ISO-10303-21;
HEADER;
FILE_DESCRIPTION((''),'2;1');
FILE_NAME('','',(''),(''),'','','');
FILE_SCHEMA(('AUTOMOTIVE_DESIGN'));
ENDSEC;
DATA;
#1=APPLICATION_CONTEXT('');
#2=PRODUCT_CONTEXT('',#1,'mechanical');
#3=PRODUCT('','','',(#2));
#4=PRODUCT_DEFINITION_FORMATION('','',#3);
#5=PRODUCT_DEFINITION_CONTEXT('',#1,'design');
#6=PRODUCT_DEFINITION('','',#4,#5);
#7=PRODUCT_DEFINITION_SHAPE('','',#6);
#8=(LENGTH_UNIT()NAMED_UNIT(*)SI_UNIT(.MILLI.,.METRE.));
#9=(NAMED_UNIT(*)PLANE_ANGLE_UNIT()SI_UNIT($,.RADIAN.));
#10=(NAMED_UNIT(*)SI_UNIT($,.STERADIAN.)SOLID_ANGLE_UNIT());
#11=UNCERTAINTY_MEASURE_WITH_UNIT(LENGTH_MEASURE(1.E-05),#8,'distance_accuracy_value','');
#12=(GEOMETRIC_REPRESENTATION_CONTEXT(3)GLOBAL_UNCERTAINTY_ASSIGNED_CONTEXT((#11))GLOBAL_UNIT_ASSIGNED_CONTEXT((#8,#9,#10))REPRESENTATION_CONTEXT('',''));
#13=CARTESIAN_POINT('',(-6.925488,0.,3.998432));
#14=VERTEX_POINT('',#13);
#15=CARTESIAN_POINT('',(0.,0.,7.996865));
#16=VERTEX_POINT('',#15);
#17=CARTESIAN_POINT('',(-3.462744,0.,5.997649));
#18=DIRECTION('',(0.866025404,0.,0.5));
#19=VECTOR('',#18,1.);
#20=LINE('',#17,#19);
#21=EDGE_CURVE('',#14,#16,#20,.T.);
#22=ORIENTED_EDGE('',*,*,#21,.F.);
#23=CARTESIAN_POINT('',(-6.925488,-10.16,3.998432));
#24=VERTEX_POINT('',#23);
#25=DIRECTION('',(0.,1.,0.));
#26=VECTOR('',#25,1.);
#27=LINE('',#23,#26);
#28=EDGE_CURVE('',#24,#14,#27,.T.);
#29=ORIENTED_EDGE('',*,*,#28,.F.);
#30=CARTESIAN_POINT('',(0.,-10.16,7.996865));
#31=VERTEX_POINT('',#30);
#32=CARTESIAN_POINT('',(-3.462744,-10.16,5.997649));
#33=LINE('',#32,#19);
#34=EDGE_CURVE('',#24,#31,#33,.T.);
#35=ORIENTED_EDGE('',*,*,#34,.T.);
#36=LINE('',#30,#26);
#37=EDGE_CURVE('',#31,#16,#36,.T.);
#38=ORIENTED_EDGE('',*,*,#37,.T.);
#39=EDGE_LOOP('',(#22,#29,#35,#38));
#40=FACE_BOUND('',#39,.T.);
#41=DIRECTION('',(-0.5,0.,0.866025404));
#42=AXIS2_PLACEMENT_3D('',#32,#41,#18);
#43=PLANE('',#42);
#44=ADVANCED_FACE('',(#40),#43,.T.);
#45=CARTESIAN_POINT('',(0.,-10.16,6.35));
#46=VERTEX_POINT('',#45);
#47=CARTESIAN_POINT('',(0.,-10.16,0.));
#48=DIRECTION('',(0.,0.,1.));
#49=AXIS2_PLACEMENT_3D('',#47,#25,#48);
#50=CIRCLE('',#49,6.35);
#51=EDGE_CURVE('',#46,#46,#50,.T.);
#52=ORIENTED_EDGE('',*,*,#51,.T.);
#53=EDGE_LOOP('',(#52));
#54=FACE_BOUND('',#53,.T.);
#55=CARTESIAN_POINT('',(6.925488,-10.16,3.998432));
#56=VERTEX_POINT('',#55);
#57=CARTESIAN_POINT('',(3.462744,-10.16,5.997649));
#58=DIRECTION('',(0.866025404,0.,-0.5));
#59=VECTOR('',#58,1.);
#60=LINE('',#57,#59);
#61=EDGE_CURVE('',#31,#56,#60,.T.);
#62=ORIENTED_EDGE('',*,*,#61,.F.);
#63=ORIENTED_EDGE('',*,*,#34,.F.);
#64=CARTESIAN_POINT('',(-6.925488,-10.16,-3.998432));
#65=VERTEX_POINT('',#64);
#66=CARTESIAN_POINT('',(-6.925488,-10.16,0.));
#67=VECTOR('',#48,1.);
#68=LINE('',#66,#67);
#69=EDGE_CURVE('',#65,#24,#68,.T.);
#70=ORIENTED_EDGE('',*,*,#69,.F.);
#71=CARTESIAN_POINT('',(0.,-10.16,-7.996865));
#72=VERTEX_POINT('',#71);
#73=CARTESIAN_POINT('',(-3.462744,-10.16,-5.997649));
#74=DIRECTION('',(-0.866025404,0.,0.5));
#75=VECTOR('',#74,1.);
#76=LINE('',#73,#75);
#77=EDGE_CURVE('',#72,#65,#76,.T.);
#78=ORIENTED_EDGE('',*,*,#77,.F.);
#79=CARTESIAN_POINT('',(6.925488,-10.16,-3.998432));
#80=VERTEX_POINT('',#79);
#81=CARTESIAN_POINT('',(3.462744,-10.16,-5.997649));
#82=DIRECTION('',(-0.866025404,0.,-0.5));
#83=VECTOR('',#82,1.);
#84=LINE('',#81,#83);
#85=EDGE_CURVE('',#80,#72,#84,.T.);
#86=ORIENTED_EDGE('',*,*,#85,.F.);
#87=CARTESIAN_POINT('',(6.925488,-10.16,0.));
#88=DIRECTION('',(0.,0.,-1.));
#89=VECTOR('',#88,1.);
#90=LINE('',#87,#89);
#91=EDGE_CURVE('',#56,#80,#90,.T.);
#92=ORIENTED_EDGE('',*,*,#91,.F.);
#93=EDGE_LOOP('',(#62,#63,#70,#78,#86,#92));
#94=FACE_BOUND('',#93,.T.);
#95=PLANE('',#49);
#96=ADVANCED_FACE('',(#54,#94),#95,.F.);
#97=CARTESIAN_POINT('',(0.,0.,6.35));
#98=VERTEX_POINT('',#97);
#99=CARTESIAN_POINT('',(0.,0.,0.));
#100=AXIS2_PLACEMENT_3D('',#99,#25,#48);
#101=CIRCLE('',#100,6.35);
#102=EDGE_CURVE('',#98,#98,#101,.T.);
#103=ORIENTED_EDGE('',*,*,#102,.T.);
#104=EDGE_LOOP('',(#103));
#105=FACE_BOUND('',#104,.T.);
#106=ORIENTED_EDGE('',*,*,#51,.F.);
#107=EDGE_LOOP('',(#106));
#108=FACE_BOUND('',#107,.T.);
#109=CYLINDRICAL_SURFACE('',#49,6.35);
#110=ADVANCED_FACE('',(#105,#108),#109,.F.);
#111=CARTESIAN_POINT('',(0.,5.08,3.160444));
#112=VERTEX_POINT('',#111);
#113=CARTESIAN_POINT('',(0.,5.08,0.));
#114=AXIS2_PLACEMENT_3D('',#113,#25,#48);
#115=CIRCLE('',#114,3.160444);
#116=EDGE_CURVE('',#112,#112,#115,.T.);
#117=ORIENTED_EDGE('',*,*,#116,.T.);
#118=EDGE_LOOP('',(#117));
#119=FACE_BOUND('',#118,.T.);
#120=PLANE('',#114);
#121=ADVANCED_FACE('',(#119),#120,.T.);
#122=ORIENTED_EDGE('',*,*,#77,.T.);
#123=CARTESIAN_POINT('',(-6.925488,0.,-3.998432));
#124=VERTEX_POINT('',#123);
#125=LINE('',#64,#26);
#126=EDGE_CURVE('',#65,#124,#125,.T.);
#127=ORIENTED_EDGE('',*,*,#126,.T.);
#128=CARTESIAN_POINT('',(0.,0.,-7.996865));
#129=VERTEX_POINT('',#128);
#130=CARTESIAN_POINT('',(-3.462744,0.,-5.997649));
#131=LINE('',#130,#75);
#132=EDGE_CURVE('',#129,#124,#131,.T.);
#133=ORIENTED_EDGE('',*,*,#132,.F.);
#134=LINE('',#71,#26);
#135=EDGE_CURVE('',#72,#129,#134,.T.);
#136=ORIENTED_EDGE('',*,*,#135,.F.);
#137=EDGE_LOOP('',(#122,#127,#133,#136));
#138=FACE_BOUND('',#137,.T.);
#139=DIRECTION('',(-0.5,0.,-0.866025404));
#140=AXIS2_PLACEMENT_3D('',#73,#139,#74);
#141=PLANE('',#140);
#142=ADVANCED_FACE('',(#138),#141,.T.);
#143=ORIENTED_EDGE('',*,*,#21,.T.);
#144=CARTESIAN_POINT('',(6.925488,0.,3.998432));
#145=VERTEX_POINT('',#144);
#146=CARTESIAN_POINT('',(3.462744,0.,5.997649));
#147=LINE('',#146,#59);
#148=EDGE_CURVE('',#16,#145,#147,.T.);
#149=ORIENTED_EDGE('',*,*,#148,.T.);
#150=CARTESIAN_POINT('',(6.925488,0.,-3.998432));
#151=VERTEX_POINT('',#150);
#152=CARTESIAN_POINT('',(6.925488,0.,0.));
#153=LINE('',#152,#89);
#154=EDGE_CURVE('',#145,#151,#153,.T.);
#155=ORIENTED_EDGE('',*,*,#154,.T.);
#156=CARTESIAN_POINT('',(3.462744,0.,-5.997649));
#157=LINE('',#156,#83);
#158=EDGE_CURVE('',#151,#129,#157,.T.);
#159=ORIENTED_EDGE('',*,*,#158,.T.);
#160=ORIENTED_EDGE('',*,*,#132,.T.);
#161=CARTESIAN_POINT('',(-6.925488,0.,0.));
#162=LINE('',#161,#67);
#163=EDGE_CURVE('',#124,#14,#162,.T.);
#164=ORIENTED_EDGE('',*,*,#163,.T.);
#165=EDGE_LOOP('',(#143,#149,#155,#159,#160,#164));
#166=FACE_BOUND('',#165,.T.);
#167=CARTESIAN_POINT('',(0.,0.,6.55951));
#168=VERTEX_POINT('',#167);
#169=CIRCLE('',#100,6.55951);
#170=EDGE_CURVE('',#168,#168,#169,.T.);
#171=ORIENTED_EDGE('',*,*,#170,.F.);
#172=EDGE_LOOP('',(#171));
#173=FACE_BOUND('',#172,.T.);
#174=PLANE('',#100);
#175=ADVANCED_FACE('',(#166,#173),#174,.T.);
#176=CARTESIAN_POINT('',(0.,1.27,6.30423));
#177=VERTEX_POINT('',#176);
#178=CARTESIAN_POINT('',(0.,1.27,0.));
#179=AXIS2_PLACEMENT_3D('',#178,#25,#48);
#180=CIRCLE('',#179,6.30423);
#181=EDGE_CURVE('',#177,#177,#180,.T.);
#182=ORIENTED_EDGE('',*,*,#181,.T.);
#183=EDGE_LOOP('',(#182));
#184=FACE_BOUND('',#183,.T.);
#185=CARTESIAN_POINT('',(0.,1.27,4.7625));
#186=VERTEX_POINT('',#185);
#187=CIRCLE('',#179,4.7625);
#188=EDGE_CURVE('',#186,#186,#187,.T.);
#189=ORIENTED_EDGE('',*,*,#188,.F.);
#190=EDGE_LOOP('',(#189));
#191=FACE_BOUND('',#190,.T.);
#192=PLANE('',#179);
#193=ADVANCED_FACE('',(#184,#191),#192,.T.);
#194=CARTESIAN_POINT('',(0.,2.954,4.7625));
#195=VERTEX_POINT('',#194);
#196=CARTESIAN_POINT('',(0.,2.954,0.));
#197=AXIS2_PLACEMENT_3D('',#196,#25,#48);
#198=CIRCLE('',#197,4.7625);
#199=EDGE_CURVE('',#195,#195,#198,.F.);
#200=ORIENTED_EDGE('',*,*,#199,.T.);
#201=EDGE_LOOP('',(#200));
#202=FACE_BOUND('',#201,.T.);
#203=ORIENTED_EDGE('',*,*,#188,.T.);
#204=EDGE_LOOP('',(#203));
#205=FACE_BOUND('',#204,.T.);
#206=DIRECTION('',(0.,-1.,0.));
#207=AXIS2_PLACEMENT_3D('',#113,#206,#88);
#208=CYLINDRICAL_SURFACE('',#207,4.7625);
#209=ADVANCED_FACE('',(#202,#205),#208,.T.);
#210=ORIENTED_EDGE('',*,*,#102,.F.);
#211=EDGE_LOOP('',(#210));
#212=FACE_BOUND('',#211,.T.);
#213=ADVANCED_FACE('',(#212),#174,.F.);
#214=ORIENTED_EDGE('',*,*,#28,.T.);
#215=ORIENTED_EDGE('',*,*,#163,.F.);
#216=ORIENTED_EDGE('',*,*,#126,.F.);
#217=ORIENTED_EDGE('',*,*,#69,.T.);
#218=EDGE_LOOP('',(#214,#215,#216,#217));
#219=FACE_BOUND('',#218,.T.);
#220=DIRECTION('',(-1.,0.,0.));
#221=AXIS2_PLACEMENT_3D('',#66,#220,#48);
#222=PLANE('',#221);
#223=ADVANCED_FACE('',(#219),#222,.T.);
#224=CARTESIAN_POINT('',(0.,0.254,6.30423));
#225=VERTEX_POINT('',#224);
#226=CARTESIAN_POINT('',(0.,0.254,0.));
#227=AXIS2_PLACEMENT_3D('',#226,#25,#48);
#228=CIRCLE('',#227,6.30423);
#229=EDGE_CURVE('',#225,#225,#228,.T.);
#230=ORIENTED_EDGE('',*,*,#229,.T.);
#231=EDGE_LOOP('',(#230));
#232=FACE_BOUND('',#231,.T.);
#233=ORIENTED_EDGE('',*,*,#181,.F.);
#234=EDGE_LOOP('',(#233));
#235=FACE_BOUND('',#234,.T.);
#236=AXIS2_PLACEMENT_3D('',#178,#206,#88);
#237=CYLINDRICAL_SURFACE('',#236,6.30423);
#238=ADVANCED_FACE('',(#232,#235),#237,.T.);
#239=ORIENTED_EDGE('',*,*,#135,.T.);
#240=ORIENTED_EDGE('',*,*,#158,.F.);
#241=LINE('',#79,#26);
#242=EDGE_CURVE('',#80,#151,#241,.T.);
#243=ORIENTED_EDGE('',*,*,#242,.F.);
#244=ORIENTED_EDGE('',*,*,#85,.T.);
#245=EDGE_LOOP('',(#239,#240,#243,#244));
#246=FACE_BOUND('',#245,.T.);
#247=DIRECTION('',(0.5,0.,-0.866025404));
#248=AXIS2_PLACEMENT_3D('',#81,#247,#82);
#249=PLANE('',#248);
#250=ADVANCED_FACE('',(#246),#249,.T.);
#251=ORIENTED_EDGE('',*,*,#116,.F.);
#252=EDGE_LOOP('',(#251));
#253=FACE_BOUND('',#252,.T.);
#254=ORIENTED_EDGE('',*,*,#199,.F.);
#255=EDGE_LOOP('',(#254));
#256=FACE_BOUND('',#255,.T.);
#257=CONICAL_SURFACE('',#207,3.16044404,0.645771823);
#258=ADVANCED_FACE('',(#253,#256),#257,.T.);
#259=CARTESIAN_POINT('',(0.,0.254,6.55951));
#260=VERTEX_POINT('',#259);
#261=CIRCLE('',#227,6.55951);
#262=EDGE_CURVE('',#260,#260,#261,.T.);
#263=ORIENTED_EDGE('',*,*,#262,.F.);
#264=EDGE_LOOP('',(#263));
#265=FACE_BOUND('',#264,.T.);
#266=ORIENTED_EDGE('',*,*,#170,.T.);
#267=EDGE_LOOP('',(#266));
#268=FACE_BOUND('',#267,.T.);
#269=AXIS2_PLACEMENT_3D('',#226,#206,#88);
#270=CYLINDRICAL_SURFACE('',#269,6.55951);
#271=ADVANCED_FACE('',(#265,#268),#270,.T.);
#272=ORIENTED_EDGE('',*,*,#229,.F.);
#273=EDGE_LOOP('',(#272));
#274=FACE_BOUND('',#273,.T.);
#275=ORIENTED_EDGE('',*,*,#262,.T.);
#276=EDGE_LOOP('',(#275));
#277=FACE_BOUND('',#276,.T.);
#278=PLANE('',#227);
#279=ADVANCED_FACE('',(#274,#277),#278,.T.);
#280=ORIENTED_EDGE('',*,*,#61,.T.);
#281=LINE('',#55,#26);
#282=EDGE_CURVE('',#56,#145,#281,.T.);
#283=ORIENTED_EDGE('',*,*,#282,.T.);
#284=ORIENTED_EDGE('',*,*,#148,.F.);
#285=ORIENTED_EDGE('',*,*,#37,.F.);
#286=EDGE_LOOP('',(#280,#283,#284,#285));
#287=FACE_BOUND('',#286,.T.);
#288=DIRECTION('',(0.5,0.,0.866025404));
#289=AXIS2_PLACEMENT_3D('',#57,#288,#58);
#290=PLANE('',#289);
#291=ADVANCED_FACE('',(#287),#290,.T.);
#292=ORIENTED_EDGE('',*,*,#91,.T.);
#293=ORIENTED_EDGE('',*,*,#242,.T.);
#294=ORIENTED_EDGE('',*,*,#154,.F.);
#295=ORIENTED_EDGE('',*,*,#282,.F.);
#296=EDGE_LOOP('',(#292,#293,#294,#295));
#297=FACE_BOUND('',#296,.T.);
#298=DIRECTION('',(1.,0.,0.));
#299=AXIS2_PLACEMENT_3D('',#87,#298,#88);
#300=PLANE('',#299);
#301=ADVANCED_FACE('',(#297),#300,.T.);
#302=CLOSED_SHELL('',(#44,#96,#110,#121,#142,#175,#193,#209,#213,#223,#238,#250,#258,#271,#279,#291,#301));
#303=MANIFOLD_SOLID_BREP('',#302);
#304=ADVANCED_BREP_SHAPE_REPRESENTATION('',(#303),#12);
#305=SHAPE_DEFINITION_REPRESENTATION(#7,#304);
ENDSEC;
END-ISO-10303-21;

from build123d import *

# Parameters (mm, degrees)
SKETCH1_R           = 4.7625
BOSS_EXTRUDE1_DEPTH = 5.08
SKETCH1_4_R         = 6.35
BOSS_EXTRUDE4_DEPTH = 10.16
SKETCH7_R           = 6.304229739
BOSS_EXTRUDE5_DEPTH = 1.27
CHAMFER1_SIZE       = 2.126000066
CHAMFER1_SIZE2      = 1.60205596
SKETCH8_R           = 6.559510295
BOSS_EXTRUDE6_DEPTH = 0.254


with BuildPart() as part:
    # Sketch1 → Boss-Extrude1 (new body)
    with BuildSketch(Plane(origin=(0, 0, 0), x_dir=(1, 0, 0), z_dir=(0, 1, 0))):
        Circle(SKETCH1_R)
    extrude(amount=BOSS_EXTRUDE1_DEPTH)

    # Sketch7 → Boss-Extrude5 (add)
    with BuildSketch(Plane(origin=(0, 0, 0), x_dir=(1, 0, 0), z_dir=(0, 1, 0))):
        Circle(SKETCH7_R)
    extrude(amount=BOSS_EXTRUDE5_DEPTH)

    # Chamfer1
    chamfer1_edges = [part.edges().sort_by_distance(p)[0] for p in [
        (-4.7625, 5.08, 0),
    ]]
    chamfer1_side = [part.faces().sort_by_distance(p)[0] for p in [
        (-4.7625, 3.175, 0),
    ]]
    chamfer(chamfer1_edges, length=CHAMFER1_SIZE, length2=CHAMFER1_SIZE2, reference=chamfer1_side[0])



with BuildPart() as body_2:
    # Sketch1<4> → Boss-Extrude4 (new body)
    with BuildSketch(Plane(origin=(0, 0, 0), x_dir=(1, 0, 0), z_dir=(0, 1, 0))):
        Polygon((6.925488061, 3.998432396), (0, 7.996864793), (-6.925488061, 3.998432396), (-6.925488061, -3.998432396), (0, -7.996864793), (6.925488061, -3.998432396), align=None)
        Circle(SKETCH1_4_R, mode=Mode.SUBTRACT)
    extrude(amount=-BOSS_EXTRUDE4_DEPTH)


with BuildPart() as part_1:
    add(part.part)

    add(body_2.part)  # Boss-Extrude6 merges body 2
    # Sketch8 → Boss-Extrude6 (add)
    with BuildSketch(Plane(origin=(0, 0, 0), x_dir=(1, 0, 0), z_dir=(0, 1, 0))):
        Circle(SKETCH8_R)
    extrude(amount=BOSS_EXTRUDE6_DEPTH)


solid = part_1.part
